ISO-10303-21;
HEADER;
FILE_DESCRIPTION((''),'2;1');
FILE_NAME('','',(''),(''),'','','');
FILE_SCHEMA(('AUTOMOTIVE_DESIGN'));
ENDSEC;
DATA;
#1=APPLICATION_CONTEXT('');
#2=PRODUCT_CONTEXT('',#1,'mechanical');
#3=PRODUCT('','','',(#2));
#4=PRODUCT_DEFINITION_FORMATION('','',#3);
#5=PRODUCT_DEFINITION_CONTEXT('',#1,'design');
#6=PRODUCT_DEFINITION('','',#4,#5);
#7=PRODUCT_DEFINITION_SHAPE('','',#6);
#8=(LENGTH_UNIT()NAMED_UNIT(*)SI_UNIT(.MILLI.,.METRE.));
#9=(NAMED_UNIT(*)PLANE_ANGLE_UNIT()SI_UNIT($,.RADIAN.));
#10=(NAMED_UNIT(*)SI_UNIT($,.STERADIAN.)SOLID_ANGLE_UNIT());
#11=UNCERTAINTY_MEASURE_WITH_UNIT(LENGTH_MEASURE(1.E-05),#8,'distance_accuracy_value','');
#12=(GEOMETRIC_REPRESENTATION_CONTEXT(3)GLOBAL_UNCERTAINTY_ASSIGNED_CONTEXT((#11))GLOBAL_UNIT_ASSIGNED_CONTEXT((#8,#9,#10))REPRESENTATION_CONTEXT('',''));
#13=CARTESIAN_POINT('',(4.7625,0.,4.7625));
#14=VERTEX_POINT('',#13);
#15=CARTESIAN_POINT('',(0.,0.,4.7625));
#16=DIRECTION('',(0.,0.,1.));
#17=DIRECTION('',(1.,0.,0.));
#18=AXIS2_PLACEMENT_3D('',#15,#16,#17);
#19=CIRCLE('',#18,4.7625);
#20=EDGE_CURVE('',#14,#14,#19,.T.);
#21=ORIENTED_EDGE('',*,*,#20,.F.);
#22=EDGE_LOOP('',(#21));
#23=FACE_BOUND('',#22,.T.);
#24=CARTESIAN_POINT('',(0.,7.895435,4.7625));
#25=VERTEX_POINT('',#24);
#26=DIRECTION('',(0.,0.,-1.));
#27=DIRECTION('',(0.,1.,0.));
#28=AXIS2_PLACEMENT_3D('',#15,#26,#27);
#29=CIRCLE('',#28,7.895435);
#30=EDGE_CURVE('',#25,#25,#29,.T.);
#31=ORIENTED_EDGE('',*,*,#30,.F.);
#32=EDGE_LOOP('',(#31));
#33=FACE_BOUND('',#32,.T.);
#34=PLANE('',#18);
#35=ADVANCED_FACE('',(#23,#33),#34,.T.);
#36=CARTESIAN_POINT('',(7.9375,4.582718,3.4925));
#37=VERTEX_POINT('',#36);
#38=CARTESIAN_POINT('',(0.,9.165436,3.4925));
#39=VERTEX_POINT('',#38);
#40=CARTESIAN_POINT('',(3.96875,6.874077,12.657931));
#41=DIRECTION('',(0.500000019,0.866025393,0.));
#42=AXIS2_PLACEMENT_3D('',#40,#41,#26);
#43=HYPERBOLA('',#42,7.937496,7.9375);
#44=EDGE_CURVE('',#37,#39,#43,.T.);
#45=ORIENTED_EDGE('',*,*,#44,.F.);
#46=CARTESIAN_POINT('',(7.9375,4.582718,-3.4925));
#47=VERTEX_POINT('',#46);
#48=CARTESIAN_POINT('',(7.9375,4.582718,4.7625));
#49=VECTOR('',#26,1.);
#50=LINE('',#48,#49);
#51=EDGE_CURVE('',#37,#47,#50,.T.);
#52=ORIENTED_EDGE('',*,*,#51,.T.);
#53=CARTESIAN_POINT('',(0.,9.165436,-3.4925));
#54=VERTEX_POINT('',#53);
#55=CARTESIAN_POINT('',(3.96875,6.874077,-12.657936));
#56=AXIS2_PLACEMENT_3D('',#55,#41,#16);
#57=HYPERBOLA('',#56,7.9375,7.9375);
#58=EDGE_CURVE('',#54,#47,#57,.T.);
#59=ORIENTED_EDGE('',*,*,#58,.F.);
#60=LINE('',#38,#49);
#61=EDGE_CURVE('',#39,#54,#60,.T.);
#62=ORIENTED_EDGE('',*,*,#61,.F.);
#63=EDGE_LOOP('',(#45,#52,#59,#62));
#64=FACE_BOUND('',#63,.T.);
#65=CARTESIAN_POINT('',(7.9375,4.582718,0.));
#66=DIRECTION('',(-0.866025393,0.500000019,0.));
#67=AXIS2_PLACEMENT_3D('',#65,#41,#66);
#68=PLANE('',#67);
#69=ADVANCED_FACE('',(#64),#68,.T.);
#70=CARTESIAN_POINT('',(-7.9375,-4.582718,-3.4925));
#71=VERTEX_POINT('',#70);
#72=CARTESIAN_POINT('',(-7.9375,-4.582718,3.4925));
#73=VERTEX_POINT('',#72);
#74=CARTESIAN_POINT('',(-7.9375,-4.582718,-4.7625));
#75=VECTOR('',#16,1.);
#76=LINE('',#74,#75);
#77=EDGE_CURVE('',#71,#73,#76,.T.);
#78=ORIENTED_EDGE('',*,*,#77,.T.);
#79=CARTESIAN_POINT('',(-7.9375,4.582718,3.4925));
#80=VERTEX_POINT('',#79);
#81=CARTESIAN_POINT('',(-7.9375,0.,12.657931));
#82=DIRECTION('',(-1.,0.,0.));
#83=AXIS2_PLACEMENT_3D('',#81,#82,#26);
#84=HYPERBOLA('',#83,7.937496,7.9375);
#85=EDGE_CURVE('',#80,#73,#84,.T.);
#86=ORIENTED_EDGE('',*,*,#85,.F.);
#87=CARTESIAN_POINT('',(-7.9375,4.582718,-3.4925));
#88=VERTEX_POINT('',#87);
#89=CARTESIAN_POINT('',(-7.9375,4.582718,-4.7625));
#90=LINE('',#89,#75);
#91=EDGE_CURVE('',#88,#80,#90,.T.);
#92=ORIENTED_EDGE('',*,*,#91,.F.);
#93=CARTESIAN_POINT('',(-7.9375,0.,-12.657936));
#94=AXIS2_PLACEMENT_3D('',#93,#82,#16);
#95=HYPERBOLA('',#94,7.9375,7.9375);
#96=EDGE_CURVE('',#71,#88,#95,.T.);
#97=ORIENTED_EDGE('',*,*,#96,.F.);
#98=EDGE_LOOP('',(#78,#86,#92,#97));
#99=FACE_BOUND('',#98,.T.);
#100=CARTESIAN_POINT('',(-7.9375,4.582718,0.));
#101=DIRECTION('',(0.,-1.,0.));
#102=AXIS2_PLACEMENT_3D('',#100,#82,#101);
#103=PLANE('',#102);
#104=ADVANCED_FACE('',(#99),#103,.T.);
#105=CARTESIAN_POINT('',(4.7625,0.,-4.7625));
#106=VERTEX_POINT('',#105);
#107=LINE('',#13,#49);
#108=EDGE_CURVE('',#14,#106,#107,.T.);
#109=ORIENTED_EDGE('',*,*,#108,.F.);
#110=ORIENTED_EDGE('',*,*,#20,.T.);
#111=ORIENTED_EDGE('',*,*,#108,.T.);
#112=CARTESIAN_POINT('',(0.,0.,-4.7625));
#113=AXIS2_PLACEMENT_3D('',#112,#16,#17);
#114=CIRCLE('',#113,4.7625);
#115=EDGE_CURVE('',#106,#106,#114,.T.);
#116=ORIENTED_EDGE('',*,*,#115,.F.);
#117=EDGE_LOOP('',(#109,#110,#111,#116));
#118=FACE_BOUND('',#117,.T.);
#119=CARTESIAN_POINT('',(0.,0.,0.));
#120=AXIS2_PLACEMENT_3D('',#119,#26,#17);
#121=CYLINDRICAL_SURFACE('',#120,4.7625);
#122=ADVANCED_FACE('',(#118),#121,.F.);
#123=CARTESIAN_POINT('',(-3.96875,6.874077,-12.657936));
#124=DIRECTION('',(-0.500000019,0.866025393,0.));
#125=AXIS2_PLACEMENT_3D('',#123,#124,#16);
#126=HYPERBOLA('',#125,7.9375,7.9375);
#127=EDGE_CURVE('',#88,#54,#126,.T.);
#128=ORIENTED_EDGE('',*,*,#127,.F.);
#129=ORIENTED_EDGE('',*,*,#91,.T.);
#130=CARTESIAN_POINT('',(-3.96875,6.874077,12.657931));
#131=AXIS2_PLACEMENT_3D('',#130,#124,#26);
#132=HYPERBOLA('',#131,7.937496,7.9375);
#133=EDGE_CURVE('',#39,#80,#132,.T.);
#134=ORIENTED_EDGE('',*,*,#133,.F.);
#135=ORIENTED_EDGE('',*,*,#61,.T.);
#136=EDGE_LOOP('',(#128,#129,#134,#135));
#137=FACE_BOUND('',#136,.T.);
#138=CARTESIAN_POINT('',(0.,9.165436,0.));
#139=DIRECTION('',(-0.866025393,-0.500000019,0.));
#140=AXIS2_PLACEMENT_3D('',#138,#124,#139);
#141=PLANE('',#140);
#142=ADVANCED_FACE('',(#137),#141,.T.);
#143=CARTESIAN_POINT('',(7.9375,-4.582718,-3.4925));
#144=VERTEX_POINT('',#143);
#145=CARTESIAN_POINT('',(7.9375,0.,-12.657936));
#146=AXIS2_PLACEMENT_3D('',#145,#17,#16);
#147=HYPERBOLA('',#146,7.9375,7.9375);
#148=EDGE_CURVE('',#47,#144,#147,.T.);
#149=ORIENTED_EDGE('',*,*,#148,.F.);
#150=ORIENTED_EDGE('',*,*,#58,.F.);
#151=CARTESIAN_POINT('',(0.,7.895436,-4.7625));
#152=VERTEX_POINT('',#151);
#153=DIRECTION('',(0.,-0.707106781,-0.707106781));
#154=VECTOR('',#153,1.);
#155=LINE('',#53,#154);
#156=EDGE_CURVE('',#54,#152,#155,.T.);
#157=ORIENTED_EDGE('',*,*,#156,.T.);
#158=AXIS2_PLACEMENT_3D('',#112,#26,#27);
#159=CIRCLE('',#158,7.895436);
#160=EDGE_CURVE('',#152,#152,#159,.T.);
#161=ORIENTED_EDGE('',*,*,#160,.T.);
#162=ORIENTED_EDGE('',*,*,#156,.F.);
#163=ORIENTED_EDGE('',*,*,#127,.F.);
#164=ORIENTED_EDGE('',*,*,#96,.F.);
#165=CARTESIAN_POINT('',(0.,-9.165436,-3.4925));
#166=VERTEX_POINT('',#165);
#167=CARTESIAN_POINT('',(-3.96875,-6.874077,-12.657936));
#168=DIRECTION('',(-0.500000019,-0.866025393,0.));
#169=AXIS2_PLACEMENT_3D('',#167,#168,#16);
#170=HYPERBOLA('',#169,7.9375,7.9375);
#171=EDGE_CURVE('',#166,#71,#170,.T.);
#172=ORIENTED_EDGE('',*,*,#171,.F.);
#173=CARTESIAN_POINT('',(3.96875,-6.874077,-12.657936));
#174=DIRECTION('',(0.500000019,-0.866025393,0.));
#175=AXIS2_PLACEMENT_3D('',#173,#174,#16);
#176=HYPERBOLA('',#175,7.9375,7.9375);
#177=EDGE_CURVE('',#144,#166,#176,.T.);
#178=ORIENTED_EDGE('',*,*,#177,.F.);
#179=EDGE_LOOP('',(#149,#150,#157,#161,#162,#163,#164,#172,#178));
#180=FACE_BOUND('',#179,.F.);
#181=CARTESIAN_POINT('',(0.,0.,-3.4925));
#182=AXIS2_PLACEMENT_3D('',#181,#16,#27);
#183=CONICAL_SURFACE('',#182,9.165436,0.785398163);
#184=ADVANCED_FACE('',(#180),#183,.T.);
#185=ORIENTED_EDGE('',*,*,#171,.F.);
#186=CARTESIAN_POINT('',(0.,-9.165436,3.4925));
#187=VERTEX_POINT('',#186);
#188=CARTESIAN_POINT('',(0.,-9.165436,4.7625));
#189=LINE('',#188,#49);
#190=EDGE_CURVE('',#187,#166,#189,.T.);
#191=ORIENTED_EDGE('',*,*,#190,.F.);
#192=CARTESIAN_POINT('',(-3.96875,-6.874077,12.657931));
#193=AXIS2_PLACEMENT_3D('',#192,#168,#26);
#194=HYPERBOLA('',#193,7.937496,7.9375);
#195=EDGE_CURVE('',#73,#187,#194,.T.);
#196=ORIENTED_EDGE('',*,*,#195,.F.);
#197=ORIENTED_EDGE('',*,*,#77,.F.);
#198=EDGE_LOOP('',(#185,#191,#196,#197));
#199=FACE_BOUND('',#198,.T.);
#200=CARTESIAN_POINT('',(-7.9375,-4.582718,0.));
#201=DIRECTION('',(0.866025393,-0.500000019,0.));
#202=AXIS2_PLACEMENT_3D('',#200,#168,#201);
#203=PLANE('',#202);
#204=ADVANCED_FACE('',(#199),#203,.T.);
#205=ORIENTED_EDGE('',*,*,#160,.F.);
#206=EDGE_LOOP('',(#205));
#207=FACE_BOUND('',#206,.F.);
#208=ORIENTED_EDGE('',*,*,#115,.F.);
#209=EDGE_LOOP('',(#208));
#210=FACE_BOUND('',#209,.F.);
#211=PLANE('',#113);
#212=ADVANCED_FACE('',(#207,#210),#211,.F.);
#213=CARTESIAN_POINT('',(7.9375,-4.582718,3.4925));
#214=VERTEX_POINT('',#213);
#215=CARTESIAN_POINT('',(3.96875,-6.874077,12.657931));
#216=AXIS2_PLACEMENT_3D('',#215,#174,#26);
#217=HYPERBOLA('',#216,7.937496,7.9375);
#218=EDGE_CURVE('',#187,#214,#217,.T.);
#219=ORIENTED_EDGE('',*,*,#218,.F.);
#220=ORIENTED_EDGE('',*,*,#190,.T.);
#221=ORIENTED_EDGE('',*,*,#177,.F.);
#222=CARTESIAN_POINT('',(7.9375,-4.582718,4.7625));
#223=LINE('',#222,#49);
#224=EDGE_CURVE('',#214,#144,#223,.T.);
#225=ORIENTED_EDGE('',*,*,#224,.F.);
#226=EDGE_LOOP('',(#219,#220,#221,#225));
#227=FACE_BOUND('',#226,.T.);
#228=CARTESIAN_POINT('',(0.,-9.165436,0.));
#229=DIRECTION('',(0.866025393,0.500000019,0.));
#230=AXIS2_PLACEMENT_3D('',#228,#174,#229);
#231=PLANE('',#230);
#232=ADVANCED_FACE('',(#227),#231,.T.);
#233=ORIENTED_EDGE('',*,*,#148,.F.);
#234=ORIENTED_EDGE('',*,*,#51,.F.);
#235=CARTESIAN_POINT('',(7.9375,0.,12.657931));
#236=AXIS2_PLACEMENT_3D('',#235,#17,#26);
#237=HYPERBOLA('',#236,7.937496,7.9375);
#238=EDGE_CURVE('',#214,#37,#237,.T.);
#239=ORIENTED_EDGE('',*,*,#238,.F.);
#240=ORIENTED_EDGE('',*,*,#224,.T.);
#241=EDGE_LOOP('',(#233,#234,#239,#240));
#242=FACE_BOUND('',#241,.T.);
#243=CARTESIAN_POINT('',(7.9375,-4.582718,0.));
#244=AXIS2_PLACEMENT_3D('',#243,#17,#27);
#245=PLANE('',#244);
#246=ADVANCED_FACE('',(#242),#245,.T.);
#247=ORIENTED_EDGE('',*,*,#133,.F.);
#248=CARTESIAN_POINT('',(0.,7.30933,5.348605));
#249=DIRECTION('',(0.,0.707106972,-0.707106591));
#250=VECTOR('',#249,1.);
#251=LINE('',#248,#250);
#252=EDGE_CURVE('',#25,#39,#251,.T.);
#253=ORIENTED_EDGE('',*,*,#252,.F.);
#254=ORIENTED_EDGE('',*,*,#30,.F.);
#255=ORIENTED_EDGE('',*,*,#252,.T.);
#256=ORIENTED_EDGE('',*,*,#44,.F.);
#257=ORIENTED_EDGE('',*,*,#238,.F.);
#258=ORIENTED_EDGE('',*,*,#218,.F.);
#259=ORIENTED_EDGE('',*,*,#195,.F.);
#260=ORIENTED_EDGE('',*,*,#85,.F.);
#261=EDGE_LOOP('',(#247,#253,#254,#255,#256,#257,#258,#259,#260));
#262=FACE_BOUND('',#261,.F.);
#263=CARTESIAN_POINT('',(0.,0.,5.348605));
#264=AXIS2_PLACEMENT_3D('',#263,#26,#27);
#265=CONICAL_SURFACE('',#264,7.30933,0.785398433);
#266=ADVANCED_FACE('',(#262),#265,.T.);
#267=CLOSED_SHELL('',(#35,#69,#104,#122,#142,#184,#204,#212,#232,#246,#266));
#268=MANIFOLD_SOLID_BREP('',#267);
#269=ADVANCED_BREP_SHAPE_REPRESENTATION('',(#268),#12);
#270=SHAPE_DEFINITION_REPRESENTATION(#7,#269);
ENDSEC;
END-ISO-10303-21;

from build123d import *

# Parameters (mm, degrees)
F0_R     = 4.7625
F1_DEPTH = 4.7625


with BuildPart() as f1:
    # F0 (on Top) → F1 (new body, symmetric)
    with BuildSketch(Plane.XY):
        Polygon((7.9375, 4.582718), (0, 9.165436), (-7.9375, 4.582718), (-7.9375, -4.582718), (0, -9.165436), (7.9375, -4.582718), align=None)
        Circle(F0_R, mode=Mode.SUBTRACT)
    extrude(amount=F1_DEPTH, both=True)

    # F2 (on Right) → F3 (revolve, cut)
    with BuildSketch(Plane.YZ):
        Polygon((7.30933, 5.348605), (9.165436, 3.4925), (9.165436, -3.4925), (7.360179, -5.297757), (12.983813, -5.297757), (12.983813, 5.348605), align=None)
    revolve(axis=Axis((0, 0, 4.158017), (0, 0, 1)), mode=Mode.SUBTRACT)


solid = f1.part
